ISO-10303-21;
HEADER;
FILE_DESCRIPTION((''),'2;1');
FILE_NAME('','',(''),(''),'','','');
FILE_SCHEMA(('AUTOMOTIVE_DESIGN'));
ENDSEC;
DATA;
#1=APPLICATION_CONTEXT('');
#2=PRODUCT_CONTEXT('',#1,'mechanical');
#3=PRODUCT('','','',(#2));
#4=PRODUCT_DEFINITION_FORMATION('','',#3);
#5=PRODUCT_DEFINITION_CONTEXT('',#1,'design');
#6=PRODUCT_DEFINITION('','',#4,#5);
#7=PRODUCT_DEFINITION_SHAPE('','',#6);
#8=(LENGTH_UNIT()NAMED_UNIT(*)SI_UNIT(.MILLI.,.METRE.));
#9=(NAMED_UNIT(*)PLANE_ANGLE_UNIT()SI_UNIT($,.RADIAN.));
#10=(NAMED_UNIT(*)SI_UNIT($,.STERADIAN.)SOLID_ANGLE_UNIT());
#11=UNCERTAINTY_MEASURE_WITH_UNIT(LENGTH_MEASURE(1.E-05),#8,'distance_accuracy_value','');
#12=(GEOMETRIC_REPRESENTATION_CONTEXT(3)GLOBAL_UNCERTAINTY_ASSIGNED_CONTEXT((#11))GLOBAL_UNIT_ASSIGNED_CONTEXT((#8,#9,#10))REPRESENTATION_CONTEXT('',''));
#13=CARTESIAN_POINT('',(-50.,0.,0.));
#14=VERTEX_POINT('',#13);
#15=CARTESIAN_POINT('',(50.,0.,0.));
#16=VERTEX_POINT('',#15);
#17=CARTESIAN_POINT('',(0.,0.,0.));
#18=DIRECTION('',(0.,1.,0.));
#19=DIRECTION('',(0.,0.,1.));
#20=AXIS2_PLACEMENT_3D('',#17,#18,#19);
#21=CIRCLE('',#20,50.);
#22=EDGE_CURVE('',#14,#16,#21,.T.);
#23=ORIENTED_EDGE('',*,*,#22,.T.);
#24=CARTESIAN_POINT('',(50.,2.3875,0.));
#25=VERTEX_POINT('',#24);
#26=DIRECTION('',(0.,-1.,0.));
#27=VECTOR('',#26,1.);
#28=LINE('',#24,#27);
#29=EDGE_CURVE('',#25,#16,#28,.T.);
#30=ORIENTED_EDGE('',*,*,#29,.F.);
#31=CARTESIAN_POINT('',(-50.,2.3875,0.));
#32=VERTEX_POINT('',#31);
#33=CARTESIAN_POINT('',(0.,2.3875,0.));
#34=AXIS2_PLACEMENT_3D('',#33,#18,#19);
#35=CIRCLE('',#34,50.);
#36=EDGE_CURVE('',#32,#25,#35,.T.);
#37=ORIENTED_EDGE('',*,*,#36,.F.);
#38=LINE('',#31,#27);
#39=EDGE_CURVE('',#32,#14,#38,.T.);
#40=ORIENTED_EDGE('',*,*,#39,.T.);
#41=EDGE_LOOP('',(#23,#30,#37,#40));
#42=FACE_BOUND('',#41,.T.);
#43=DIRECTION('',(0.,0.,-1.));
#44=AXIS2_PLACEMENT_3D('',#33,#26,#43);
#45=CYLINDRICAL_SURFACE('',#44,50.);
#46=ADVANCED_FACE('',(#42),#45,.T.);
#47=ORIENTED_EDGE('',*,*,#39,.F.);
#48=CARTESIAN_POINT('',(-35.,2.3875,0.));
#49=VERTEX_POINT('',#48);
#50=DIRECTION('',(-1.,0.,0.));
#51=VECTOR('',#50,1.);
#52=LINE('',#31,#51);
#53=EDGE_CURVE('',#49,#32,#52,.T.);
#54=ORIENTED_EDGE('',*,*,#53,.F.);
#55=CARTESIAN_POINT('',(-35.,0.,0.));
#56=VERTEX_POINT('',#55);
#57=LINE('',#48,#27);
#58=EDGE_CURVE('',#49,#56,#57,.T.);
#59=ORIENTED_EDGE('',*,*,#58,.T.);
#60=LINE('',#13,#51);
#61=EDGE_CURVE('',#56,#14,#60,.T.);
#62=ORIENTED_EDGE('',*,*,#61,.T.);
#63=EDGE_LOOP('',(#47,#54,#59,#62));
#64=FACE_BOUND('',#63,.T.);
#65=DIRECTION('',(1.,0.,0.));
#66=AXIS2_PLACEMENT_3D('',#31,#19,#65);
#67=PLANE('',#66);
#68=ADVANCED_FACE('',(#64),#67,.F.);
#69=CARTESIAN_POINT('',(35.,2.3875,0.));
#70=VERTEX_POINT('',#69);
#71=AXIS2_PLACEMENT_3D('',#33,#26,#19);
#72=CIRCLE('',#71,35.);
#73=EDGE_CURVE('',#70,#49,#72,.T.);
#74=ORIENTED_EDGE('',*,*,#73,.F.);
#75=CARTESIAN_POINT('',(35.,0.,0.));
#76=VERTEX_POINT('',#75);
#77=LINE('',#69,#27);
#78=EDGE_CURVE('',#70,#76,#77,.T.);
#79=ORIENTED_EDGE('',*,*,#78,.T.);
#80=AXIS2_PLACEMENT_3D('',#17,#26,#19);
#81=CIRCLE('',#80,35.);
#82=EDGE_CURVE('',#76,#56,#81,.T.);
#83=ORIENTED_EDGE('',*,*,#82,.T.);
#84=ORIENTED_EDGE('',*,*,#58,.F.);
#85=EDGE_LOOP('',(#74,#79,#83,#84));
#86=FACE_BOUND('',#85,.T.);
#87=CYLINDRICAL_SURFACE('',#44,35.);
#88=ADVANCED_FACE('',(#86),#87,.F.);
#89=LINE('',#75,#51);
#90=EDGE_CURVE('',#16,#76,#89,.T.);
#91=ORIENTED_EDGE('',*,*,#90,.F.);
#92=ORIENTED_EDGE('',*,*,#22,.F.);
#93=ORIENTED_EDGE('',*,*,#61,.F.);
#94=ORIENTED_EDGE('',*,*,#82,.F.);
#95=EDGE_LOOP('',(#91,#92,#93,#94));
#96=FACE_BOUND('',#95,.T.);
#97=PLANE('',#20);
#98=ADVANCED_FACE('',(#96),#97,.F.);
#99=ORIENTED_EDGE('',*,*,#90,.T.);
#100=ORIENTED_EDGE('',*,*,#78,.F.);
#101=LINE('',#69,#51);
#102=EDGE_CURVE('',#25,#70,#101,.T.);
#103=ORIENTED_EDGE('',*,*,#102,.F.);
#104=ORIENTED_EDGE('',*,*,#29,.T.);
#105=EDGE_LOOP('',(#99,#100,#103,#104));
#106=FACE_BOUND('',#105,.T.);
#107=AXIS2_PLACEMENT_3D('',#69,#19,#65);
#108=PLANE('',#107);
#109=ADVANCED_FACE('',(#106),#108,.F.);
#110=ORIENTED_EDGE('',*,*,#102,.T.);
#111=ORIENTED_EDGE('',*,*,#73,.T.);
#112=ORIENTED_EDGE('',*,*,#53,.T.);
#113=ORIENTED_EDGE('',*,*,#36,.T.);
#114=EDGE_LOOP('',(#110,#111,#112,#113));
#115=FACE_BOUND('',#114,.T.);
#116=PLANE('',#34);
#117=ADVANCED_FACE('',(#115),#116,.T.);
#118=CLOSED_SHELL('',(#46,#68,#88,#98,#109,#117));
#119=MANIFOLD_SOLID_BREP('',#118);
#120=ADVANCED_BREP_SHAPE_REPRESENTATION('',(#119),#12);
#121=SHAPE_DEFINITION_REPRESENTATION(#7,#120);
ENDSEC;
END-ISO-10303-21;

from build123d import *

# Parameters (mm, degrees)
BOSS_EXTRUDE1_DEPTH = 2.3875


with BuildPart() as part:
    # Sketch1 → Boss-Extrude1 (new body)
    with BuildSketch(Plane(origin=(0, 0, 0), x_dir=(1, 0, 0), z_dir=(0, 1, 0))):
        with BuildLine():
            Line((-50, 0), (-35, 0))
            ThreePointArc((-35, 0), (0, -35), (35, 0))
            Line((35, 0), (50, 0))
            ThreePointArc((50, 0), (0, -50), (-50, 0))
        make_face()
    extrude(amount=BOSS_EXTRUDE1_DEPTH)


solid = part.part
